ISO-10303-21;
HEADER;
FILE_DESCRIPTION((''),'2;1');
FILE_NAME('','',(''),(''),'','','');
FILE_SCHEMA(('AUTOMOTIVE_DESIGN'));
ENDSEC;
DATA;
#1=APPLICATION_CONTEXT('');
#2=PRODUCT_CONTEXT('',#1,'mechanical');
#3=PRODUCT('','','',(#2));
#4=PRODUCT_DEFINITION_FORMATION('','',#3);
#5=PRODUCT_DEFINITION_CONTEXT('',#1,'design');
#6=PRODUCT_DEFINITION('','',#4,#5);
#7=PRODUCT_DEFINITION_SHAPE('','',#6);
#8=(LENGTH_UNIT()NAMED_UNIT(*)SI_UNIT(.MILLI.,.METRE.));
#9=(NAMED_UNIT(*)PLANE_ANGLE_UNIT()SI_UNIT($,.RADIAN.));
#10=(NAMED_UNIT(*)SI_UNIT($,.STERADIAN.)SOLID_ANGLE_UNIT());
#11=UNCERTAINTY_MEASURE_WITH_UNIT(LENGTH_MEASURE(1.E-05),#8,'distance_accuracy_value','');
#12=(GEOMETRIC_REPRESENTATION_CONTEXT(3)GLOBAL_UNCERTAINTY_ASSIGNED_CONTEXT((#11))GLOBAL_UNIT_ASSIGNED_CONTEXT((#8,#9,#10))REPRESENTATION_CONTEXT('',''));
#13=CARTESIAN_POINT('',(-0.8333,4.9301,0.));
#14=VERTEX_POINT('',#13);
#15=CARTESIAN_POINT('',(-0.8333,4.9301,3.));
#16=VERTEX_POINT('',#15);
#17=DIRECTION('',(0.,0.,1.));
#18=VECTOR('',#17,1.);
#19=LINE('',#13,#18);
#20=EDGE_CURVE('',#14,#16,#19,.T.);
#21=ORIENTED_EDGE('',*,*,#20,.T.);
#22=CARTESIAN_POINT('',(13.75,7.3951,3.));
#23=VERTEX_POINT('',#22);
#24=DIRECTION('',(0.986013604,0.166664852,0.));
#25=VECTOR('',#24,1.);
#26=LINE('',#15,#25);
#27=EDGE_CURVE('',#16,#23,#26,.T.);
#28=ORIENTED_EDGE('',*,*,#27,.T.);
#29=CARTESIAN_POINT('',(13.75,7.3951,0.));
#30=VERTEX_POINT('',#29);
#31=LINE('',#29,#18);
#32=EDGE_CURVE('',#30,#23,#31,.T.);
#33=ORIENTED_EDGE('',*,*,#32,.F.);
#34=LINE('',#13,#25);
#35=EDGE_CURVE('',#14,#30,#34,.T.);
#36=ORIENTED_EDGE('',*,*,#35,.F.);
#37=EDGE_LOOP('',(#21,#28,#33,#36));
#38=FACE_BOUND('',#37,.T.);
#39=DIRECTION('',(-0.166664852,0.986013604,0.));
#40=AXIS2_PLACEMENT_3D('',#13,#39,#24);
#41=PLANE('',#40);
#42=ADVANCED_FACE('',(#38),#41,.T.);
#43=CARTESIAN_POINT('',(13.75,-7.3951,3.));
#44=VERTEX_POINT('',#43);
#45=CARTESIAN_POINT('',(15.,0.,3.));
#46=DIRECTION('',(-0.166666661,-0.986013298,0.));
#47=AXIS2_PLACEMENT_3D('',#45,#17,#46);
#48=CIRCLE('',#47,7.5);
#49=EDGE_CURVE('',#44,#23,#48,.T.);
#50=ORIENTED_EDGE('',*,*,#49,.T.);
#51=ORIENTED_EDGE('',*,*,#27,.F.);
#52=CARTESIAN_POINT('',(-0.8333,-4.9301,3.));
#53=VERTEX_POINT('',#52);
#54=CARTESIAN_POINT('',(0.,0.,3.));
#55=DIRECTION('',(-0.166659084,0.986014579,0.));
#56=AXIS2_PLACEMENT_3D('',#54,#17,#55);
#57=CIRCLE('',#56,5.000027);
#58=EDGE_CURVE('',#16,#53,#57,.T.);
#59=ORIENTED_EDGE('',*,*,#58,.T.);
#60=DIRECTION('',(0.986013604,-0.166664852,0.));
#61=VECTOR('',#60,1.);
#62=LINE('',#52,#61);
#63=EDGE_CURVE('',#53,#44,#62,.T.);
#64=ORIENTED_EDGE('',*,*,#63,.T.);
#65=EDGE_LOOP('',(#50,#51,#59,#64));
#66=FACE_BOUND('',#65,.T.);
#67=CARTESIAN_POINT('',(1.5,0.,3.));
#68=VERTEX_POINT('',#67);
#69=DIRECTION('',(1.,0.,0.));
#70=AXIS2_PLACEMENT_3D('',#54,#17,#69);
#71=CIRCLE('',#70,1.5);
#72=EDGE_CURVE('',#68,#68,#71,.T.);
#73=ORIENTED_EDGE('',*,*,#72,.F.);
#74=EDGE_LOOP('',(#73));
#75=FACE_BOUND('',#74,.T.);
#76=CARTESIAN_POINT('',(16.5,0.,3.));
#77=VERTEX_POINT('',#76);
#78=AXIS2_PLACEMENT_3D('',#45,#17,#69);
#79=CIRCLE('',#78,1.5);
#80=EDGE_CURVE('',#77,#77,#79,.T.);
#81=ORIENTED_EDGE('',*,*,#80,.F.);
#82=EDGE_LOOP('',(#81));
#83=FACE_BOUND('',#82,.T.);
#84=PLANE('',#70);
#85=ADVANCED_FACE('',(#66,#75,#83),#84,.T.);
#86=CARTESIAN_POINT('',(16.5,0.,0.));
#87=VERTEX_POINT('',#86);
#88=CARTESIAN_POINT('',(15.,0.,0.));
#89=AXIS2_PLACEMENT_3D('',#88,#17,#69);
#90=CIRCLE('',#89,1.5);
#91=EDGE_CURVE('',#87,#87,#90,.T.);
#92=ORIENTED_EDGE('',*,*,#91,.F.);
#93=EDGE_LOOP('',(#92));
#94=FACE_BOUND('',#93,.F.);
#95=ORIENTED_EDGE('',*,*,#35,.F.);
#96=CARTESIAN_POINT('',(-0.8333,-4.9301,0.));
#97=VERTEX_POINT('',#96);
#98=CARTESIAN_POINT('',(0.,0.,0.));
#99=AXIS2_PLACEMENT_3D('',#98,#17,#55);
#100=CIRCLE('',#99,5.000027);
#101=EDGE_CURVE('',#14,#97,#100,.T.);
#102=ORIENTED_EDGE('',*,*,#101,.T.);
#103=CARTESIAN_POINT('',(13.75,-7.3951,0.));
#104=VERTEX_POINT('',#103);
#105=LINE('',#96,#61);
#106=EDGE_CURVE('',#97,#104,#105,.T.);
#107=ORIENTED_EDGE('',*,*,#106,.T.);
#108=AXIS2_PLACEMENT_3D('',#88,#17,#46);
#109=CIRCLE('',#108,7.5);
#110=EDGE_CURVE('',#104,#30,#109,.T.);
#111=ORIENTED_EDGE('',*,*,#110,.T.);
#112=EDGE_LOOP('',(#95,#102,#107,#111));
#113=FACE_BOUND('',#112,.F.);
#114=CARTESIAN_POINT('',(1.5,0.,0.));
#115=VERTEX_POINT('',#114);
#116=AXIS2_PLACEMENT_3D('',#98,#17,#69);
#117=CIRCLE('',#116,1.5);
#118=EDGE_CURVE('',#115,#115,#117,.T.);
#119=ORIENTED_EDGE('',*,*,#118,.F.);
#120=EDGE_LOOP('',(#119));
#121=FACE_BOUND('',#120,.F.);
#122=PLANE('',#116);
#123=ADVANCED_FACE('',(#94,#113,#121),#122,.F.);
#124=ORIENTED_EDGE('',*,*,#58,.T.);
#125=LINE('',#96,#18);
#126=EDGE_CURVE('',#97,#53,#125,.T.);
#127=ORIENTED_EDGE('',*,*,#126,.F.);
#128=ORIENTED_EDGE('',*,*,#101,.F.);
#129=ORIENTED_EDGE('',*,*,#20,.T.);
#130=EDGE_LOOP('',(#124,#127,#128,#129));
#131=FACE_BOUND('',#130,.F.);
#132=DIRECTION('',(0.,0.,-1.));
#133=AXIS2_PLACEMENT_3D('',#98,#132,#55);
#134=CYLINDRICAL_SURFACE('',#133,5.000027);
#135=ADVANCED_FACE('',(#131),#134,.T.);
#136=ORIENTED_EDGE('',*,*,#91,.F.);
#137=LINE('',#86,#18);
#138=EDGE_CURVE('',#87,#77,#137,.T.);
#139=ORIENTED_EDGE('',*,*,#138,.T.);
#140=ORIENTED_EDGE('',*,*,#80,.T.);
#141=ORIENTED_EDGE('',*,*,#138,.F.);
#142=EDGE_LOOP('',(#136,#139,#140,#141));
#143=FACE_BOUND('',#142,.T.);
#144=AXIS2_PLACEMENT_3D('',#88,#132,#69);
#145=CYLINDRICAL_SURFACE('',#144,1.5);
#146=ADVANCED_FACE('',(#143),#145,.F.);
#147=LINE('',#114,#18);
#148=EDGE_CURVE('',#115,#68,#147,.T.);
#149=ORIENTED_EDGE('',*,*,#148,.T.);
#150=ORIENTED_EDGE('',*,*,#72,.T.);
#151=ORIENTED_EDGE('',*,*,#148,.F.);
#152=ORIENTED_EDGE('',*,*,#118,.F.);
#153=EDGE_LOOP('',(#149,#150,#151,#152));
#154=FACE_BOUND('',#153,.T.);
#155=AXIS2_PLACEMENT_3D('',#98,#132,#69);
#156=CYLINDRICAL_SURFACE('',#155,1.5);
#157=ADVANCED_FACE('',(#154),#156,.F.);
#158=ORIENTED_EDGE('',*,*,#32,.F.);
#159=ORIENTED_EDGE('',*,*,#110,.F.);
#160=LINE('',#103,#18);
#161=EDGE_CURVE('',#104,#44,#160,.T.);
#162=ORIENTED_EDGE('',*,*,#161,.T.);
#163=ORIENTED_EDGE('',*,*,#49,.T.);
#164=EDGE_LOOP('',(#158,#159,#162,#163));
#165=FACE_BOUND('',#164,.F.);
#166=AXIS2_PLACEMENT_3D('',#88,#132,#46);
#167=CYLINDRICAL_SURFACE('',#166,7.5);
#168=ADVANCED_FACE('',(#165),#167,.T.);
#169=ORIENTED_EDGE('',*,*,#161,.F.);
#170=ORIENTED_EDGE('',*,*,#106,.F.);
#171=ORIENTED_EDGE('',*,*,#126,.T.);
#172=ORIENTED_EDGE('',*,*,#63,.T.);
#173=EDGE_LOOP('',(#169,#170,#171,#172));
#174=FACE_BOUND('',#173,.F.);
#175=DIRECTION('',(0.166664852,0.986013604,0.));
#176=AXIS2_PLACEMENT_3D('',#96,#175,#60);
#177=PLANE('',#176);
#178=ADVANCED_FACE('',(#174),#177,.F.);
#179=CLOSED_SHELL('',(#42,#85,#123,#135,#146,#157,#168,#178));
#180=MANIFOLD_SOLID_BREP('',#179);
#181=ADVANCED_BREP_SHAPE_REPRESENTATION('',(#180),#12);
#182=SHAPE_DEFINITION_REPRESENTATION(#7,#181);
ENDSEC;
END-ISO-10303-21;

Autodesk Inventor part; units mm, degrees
ref_plane "YZ Plane" through (0, 0, 0) normal (1, 0, 0) x (0, 1, 0)
ref_plane "XZ Plane" through (0, 0, 0) normal (0, 1, 0) x (-1, 0, 0)
ref_plane "XY Plane" through (0, 0, 0) normal (0, 0, 1) x (1, 0, 0)
sketch "スケッチ1" plane through (0, 0, 0) normal (0, 0, 1) x (1, 0, 0)
  circle A0 centre (0, 0) radius 1.5
  circle A1 centre (15, 0) radius 1.5
  arc A2 (-0.8333, 4.9301) -> (-0.8333, -4.9301) centre (0, 0) ccw
  arc A3 (13.75, -7.3951) -> (13.75, 7.3951) centre (15, 0) ccw
  line L0 (-0.8333, 4.9301) -> (13.75, 7.3951)
  line L1 (-0.8333, -4.9301) -> (13.75, -7.3951)
  dimension "d0" = 3
  dimension "d1" = 3
  dimension "d2" = 15
  dimension "d3" = 10
  dimension "d4" = 15
extrude "押し出し1" add sketch "スケッチ1" along normal blind 3
properties part number "ウイング抑え" material "ポリカーボネート、クリア"
